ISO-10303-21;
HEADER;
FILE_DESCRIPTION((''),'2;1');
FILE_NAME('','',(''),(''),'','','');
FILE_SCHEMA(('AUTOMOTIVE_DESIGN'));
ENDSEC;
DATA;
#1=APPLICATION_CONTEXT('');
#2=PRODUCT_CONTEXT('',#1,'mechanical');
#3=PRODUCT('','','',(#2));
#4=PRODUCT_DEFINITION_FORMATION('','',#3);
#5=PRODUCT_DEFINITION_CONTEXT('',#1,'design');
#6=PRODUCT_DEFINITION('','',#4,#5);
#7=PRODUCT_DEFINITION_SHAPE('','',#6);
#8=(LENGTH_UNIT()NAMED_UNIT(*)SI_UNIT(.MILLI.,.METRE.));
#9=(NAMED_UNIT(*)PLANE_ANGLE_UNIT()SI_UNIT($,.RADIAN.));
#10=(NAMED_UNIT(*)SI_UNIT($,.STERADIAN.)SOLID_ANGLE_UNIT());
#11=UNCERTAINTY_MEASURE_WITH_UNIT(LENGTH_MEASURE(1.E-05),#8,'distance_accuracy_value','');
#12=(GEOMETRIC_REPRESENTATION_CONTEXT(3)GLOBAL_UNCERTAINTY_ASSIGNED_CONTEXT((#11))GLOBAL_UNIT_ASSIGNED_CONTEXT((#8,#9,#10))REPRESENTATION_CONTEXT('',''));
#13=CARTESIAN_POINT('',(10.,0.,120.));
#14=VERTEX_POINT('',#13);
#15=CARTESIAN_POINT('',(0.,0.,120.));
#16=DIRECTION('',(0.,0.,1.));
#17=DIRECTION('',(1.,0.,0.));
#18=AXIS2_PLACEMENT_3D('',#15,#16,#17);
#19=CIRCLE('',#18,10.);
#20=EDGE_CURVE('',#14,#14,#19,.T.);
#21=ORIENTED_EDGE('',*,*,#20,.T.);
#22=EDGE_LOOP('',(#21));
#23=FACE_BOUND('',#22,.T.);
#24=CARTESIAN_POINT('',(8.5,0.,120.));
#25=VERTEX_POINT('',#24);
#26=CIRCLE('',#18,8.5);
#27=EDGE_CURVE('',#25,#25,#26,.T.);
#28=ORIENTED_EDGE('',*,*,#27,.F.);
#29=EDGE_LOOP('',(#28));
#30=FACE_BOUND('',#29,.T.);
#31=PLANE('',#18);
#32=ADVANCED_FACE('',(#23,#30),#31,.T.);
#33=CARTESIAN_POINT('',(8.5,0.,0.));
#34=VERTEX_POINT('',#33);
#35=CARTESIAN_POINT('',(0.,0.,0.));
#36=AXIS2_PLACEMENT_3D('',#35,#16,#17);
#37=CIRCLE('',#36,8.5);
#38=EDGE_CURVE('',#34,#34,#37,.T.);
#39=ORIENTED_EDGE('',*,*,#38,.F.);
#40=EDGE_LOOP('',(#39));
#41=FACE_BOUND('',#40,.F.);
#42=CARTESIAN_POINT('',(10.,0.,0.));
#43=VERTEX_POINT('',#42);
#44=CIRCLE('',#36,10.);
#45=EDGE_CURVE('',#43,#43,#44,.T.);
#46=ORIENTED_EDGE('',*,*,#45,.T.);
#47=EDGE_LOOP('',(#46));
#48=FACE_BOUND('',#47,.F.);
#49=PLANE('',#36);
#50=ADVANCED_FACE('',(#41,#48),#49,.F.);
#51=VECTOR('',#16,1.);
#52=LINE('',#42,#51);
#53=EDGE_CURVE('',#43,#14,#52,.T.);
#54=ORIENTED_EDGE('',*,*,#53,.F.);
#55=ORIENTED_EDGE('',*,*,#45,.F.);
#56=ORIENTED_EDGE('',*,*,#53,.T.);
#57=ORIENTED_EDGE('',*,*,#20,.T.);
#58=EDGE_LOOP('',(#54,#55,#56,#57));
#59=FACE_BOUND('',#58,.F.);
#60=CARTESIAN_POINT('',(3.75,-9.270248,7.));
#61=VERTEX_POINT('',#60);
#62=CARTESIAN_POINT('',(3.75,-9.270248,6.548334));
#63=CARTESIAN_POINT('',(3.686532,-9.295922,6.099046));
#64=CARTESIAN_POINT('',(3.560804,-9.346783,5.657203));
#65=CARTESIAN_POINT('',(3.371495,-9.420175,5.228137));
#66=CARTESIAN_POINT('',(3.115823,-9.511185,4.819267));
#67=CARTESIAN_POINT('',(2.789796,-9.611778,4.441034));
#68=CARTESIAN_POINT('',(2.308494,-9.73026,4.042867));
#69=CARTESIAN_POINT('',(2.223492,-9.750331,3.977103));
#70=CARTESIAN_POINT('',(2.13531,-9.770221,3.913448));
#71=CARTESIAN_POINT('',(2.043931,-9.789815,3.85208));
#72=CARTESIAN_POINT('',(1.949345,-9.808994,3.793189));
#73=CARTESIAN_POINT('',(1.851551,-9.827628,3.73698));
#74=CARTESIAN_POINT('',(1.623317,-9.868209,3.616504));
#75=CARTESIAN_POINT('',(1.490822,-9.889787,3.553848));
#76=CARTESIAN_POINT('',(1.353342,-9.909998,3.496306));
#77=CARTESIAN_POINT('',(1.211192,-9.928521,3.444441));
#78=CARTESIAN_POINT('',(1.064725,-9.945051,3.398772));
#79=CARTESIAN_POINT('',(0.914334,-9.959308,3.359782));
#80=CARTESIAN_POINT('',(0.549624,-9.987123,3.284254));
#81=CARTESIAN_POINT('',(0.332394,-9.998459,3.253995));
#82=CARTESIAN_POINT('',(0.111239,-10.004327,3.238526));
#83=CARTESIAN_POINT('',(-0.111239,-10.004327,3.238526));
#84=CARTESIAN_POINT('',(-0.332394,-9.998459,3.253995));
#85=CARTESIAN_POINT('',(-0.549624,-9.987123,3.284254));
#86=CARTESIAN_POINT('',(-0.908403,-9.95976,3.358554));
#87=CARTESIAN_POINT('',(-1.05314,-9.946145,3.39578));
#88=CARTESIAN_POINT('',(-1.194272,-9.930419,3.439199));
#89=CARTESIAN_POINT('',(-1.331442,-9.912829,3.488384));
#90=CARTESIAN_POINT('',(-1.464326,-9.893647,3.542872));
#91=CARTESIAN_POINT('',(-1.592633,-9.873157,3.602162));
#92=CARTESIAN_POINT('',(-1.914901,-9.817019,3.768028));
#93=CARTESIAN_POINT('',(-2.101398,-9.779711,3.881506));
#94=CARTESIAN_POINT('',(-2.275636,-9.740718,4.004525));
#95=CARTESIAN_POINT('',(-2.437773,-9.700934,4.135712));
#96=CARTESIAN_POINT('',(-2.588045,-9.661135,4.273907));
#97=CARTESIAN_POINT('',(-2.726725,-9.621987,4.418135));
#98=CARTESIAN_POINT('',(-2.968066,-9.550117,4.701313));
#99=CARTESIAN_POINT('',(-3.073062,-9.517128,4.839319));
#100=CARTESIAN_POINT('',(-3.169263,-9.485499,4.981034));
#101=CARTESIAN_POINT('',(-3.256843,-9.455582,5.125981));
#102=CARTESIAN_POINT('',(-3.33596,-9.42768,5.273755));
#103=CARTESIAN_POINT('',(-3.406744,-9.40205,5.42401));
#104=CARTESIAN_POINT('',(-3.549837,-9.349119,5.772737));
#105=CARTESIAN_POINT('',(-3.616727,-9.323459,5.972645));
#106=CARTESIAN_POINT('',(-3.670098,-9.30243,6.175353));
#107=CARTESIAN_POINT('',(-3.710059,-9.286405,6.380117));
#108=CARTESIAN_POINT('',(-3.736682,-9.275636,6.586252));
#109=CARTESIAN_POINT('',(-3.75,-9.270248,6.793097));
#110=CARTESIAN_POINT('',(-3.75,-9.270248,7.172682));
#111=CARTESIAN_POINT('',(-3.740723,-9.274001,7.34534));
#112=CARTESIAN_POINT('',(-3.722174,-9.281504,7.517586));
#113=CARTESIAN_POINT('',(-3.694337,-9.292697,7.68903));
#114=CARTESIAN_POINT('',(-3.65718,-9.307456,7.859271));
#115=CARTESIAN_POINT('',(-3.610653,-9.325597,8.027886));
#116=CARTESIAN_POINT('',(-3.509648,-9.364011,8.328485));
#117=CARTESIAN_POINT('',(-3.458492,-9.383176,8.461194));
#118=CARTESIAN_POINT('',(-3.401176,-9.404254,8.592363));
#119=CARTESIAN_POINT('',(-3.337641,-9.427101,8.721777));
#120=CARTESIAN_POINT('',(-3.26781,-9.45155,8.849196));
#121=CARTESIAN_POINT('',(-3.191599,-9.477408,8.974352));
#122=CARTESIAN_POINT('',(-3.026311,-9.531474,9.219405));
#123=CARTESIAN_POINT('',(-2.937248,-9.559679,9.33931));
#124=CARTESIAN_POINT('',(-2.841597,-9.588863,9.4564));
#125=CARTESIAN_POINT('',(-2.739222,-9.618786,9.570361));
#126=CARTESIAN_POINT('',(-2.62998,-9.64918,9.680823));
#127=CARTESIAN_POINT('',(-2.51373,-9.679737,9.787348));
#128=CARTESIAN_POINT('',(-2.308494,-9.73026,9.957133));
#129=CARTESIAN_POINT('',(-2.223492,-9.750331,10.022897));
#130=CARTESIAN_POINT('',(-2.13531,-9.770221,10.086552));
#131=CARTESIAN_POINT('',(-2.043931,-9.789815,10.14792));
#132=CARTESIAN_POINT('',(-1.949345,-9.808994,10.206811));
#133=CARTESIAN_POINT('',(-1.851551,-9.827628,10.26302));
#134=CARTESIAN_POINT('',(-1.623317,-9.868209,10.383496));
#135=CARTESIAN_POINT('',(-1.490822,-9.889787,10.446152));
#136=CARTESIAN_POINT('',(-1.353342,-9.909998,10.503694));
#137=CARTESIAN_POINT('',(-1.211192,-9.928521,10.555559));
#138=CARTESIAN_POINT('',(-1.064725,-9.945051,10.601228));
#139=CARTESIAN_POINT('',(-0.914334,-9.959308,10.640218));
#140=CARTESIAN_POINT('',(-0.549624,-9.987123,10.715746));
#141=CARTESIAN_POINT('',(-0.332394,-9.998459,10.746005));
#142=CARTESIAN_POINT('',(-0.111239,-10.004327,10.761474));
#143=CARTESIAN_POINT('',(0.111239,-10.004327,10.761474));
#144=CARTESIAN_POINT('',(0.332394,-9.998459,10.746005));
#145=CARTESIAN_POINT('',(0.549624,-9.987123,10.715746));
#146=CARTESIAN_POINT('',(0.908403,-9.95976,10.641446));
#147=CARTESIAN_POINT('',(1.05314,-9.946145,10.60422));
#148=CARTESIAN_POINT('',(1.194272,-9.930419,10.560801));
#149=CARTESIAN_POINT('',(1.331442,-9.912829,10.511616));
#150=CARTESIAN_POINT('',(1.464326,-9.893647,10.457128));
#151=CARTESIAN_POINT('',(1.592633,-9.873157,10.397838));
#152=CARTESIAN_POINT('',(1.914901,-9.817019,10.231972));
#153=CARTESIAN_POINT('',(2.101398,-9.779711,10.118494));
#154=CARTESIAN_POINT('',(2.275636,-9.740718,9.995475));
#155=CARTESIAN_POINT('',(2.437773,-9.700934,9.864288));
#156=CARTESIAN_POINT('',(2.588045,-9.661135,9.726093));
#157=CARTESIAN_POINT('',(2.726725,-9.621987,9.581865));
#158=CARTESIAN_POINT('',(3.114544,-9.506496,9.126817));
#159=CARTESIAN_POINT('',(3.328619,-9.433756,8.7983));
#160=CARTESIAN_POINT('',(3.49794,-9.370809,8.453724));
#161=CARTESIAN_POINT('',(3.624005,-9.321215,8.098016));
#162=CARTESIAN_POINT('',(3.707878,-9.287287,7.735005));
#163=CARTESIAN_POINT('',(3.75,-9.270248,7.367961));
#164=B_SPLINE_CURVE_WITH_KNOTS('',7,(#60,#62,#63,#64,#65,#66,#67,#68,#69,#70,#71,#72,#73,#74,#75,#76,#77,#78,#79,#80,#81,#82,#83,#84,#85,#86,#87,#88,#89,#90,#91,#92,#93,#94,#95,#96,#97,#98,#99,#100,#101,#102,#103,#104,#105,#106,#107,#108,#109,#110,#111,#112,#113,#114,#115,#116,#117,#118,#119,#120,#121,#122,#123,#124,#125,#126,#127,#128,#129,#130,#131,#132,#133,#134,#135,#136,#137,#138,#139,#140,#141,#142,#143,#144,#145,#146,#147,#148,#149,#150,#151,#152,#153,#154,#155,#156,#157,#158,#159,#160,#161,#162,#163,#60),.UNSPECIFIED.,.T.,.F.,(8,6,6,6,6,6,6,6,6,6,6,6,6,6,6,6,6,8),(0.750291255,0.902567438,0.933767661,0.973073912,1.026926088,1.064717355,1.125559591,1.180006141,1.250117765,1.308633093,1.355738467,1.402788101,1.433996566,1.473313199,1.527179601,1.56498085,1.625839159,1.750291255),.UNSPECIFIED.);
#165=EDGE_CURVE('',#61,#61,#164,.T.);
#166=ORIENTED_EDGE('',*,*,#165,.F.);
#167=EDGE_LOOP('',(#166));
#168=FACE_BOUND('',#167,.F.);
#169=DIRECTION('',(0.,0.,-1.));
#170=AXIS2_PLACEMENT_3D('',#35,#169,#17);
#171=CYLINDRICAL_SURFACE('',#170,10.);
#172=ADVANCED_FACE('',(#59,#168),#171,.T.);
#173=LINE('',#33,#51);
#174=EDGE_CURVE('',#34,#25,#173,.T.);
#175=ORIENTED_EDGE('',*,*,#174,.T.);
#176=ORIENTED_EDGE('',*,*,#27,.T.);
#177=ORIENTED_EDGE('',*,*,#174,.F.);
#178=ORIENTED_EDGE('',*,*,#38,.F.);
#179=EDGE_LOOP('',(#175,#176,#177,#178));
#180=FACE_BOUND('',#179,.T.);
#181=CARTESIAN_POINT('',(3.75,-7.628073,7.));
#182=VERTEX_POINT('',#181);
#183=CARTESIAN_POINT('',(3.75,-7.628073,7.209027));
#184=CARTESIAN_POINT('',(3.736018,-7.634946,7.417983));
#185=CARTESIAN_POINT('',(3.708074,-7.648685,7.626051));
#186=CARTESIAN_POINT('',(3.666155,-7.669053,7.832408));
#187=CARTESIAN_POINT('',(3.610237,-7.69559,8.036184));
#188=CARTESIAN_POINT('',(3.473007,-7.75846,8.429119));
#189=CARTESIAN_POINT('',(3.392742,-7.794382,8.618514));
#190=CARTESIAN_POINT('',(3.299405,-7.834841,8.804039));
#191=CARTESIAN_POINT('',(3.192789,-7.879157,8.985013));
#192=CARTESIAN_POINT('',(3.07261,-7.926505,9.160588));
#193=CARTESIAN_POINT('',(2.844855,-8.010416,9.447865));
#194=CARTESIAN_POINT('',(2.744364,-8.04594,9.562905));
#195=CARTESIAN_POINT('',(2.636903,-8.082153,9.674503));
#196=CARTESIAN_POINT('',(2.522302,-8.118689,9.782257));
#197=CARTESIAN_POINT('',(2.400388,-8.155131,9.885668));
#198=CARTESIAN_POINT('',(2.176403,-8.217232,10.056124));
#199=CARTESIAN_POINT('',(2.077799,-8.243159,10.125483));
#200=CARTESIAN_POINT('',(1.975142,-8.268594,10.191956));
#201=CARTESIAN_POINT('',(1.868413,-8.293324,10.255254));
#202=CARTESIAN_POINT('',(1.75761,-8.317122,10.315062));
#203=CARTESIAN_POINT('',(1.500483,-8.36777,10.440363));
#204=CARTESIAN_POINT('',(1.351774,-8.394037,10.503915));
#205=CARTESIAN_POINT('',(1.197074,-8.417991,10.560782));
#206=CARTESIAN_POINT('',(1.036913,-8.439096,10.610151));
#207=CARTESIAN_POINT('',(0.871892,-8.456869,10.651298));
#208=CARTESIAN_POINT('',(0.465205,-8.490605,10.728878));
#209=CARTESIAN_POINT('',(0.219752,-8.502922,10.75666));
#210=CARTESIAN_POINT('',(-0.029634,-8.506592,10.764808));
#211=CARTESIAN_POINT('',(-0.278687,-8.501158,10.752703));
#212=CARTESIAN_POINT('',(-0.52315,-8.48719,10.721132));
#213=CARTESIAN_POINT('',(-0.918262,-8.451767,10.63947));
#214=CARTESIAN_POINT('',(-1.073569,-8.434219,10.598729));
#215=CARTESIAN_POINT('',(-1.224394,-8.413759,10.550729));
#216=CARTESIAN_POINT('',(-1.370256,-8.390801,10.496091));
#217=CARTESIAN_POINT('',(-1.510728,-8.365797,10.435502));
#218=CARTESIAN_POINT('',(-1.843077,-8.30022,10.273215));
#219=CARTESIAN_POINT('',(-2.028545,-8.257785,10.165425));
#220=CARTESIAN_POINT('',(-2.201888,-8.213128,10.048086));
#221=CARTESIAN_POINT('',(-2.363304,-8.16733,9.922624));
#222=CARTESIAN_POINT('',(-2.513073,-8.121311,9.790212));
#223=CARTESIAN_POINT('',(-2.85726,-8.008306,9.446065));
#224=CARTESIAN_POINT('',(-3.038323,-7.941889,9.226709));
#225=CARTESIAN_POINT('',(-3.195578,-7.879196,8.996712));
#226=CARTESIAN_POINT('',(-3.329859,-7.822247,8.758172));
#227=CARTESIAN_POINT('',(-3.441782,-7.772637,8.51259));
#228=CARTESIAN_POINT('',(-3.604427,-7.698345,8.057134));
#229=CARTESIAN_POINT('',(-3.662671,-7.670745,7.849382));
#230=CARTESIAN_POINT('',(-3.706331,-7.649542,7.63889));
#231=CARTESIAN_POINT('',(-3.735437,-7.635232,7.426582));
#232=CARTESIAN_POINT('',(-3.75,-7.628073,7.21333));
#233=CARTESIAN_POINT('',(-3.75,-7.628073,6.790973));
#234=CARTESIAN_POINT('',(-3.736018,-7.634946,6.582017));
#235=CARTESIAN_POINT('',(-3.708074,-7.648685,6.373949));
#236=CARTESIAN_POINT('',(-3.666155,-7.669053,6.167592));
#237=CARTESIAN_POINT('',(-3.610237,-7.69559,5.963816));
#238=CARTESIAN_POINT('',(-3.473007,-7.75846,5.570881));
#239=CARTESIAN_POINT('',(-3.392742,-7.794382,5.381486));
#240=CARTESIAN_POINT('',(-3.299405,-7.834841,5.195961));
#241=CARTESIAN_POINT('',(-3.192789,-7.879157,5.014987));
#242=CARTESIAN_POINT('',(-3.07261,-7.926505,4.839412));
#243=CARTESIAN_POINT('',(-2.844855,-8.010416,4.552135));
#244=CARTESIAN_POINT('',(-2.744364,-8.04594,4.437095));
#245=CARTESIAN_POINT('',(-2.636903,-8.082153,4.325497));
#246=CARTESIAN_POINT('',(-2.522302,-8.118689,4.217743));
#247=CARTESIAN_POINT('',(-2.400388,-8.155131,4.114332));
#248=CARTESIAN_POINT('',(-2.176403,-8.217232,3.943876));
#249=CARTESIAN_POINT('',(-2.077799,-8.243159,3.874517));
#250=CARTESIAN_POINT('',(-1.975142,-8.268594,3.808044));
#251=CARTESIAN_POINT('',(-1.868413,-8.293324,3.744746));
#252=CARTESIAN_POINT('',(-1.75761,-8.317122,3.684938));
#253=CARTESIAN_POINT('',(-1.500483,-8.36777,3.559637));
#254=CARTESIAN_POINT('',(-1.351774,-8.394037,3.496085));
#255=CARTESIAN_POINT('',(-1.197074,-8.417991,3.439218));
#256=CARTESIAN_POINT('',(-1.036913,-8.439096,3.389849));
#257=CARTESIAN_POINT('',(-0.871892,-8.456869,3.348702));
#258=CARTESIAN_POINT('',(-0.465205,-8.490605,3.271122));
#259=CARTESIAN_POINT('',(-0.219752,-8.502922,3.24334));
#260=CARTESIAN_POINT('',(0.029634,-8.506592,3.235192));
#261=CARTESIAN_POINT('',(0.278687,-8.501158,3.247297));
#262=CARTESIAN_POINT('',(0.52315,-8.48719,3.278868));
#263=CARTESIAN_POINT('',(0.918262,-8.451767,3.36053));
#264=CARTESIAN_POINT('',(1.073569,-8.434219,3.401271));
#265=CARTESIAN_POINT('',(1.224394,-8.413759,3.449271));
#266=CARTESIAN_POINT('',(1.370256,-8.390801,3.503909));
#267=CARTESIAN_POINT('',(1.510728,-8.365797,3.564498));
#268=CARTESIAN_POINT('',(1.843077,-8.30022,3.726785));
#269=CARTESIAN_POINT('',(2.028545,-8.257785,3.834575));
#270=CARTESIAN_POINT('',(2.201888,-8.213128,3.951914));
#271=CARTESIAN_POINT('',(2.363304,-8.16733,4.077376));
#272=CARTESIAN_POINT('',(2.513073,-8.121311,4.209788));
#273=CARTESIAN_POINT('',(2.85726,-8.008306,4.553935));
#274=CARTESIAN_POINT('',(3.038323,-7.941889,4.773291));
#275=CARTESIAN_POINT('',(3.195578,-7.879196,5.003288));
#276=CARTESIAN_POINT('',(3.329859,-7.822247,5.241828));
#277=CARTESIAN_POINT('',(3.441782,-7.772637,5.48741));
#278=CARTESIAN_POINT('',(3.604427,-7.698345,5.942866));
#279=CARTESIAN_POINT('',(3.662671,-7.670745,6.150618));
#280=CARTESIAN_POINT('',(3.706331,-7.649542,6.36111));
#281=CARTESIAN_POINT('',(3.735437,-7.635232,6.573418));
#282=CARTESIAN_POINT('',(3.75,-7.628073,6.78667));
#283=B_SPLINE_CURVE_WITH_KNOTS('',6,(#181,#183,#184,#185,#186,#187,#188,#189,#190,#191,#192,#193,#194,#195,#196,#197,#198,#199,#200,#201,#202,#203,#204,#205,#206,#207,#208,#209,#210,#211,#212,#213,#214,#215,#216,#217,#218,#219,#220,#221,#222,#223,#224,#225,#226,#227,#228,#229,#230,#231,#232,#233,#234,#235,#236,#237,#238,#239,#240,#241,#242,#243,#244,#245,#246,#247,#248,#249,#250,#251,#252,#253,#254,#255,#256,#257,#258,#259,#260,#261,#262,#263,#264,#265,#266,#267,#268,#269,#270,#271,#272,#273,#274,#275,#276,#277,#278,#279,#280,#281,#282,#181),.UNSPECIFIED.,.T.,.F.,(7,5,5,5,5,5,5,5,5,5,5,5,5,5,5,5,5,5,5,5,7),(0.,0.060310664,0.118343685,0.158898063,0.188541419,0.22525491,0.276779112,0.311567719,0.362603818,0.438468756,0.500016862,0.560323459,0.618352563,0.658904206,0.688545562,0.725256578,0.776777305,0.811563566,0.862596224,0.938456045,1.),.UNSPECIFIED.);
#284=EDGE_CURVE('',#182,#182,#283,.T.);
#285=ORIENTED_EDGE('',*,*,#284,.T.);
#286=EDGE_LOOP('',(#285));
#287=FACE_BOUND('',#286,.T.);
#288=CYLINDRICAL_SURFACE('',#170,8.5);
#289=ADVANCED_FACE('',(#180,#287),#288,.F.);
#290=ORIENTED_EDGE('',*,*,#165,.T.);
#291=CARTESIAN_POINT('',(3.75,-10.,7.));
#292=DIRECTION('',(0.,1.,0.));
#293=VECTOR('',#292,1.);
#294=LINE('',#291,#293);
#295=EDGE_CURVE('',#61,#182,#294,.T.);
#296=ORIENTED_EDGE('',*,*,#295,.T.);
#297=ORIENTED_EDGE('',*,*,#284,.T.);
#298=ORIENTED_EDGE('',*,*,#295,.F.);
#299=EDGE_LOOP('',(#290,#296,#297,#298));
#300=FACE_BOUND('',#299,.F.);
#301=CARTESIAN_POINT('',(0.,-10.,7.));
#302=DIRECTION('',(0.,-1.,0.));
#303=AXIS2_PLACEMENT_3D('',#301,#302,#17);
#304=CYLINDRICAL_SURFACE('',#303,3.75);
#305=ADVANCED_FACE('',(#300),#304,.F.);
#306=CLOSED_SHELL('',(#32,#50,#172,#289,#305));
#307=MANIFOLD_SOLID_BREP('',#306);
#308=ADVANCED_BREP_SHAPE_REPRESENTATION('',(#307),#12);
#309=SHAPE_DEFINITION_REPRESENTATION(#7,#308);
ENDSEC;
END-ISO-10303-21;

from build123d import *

# Parameters (mm, degrees)
F0_R     = 10
F0_R_2   = 8.5
F1_DEPTH = 120
F3_R     = 3.75
F4_DEPTH = 3.3719269488


with BuildPart() as f1:
    # F0 (on Top) → F1 (new body)
    with BuildSketch(Plane.XY):
        Circle(F0_R)
        Circle(F0_R_2, mode=Mode.SUBTRACT)
    extrude(amount=F1_DEPTH)

    # F3 (on offset) → F4 (cut, up to face)
    with BuildSketch(Plane.XZ.offset(10)):
        with Locations((0, 7)):
            Circle(F3_R)
    extrude(amount=-F4_DEPTH, mode=Mode.SUBTRACT)


solid = f1.part
